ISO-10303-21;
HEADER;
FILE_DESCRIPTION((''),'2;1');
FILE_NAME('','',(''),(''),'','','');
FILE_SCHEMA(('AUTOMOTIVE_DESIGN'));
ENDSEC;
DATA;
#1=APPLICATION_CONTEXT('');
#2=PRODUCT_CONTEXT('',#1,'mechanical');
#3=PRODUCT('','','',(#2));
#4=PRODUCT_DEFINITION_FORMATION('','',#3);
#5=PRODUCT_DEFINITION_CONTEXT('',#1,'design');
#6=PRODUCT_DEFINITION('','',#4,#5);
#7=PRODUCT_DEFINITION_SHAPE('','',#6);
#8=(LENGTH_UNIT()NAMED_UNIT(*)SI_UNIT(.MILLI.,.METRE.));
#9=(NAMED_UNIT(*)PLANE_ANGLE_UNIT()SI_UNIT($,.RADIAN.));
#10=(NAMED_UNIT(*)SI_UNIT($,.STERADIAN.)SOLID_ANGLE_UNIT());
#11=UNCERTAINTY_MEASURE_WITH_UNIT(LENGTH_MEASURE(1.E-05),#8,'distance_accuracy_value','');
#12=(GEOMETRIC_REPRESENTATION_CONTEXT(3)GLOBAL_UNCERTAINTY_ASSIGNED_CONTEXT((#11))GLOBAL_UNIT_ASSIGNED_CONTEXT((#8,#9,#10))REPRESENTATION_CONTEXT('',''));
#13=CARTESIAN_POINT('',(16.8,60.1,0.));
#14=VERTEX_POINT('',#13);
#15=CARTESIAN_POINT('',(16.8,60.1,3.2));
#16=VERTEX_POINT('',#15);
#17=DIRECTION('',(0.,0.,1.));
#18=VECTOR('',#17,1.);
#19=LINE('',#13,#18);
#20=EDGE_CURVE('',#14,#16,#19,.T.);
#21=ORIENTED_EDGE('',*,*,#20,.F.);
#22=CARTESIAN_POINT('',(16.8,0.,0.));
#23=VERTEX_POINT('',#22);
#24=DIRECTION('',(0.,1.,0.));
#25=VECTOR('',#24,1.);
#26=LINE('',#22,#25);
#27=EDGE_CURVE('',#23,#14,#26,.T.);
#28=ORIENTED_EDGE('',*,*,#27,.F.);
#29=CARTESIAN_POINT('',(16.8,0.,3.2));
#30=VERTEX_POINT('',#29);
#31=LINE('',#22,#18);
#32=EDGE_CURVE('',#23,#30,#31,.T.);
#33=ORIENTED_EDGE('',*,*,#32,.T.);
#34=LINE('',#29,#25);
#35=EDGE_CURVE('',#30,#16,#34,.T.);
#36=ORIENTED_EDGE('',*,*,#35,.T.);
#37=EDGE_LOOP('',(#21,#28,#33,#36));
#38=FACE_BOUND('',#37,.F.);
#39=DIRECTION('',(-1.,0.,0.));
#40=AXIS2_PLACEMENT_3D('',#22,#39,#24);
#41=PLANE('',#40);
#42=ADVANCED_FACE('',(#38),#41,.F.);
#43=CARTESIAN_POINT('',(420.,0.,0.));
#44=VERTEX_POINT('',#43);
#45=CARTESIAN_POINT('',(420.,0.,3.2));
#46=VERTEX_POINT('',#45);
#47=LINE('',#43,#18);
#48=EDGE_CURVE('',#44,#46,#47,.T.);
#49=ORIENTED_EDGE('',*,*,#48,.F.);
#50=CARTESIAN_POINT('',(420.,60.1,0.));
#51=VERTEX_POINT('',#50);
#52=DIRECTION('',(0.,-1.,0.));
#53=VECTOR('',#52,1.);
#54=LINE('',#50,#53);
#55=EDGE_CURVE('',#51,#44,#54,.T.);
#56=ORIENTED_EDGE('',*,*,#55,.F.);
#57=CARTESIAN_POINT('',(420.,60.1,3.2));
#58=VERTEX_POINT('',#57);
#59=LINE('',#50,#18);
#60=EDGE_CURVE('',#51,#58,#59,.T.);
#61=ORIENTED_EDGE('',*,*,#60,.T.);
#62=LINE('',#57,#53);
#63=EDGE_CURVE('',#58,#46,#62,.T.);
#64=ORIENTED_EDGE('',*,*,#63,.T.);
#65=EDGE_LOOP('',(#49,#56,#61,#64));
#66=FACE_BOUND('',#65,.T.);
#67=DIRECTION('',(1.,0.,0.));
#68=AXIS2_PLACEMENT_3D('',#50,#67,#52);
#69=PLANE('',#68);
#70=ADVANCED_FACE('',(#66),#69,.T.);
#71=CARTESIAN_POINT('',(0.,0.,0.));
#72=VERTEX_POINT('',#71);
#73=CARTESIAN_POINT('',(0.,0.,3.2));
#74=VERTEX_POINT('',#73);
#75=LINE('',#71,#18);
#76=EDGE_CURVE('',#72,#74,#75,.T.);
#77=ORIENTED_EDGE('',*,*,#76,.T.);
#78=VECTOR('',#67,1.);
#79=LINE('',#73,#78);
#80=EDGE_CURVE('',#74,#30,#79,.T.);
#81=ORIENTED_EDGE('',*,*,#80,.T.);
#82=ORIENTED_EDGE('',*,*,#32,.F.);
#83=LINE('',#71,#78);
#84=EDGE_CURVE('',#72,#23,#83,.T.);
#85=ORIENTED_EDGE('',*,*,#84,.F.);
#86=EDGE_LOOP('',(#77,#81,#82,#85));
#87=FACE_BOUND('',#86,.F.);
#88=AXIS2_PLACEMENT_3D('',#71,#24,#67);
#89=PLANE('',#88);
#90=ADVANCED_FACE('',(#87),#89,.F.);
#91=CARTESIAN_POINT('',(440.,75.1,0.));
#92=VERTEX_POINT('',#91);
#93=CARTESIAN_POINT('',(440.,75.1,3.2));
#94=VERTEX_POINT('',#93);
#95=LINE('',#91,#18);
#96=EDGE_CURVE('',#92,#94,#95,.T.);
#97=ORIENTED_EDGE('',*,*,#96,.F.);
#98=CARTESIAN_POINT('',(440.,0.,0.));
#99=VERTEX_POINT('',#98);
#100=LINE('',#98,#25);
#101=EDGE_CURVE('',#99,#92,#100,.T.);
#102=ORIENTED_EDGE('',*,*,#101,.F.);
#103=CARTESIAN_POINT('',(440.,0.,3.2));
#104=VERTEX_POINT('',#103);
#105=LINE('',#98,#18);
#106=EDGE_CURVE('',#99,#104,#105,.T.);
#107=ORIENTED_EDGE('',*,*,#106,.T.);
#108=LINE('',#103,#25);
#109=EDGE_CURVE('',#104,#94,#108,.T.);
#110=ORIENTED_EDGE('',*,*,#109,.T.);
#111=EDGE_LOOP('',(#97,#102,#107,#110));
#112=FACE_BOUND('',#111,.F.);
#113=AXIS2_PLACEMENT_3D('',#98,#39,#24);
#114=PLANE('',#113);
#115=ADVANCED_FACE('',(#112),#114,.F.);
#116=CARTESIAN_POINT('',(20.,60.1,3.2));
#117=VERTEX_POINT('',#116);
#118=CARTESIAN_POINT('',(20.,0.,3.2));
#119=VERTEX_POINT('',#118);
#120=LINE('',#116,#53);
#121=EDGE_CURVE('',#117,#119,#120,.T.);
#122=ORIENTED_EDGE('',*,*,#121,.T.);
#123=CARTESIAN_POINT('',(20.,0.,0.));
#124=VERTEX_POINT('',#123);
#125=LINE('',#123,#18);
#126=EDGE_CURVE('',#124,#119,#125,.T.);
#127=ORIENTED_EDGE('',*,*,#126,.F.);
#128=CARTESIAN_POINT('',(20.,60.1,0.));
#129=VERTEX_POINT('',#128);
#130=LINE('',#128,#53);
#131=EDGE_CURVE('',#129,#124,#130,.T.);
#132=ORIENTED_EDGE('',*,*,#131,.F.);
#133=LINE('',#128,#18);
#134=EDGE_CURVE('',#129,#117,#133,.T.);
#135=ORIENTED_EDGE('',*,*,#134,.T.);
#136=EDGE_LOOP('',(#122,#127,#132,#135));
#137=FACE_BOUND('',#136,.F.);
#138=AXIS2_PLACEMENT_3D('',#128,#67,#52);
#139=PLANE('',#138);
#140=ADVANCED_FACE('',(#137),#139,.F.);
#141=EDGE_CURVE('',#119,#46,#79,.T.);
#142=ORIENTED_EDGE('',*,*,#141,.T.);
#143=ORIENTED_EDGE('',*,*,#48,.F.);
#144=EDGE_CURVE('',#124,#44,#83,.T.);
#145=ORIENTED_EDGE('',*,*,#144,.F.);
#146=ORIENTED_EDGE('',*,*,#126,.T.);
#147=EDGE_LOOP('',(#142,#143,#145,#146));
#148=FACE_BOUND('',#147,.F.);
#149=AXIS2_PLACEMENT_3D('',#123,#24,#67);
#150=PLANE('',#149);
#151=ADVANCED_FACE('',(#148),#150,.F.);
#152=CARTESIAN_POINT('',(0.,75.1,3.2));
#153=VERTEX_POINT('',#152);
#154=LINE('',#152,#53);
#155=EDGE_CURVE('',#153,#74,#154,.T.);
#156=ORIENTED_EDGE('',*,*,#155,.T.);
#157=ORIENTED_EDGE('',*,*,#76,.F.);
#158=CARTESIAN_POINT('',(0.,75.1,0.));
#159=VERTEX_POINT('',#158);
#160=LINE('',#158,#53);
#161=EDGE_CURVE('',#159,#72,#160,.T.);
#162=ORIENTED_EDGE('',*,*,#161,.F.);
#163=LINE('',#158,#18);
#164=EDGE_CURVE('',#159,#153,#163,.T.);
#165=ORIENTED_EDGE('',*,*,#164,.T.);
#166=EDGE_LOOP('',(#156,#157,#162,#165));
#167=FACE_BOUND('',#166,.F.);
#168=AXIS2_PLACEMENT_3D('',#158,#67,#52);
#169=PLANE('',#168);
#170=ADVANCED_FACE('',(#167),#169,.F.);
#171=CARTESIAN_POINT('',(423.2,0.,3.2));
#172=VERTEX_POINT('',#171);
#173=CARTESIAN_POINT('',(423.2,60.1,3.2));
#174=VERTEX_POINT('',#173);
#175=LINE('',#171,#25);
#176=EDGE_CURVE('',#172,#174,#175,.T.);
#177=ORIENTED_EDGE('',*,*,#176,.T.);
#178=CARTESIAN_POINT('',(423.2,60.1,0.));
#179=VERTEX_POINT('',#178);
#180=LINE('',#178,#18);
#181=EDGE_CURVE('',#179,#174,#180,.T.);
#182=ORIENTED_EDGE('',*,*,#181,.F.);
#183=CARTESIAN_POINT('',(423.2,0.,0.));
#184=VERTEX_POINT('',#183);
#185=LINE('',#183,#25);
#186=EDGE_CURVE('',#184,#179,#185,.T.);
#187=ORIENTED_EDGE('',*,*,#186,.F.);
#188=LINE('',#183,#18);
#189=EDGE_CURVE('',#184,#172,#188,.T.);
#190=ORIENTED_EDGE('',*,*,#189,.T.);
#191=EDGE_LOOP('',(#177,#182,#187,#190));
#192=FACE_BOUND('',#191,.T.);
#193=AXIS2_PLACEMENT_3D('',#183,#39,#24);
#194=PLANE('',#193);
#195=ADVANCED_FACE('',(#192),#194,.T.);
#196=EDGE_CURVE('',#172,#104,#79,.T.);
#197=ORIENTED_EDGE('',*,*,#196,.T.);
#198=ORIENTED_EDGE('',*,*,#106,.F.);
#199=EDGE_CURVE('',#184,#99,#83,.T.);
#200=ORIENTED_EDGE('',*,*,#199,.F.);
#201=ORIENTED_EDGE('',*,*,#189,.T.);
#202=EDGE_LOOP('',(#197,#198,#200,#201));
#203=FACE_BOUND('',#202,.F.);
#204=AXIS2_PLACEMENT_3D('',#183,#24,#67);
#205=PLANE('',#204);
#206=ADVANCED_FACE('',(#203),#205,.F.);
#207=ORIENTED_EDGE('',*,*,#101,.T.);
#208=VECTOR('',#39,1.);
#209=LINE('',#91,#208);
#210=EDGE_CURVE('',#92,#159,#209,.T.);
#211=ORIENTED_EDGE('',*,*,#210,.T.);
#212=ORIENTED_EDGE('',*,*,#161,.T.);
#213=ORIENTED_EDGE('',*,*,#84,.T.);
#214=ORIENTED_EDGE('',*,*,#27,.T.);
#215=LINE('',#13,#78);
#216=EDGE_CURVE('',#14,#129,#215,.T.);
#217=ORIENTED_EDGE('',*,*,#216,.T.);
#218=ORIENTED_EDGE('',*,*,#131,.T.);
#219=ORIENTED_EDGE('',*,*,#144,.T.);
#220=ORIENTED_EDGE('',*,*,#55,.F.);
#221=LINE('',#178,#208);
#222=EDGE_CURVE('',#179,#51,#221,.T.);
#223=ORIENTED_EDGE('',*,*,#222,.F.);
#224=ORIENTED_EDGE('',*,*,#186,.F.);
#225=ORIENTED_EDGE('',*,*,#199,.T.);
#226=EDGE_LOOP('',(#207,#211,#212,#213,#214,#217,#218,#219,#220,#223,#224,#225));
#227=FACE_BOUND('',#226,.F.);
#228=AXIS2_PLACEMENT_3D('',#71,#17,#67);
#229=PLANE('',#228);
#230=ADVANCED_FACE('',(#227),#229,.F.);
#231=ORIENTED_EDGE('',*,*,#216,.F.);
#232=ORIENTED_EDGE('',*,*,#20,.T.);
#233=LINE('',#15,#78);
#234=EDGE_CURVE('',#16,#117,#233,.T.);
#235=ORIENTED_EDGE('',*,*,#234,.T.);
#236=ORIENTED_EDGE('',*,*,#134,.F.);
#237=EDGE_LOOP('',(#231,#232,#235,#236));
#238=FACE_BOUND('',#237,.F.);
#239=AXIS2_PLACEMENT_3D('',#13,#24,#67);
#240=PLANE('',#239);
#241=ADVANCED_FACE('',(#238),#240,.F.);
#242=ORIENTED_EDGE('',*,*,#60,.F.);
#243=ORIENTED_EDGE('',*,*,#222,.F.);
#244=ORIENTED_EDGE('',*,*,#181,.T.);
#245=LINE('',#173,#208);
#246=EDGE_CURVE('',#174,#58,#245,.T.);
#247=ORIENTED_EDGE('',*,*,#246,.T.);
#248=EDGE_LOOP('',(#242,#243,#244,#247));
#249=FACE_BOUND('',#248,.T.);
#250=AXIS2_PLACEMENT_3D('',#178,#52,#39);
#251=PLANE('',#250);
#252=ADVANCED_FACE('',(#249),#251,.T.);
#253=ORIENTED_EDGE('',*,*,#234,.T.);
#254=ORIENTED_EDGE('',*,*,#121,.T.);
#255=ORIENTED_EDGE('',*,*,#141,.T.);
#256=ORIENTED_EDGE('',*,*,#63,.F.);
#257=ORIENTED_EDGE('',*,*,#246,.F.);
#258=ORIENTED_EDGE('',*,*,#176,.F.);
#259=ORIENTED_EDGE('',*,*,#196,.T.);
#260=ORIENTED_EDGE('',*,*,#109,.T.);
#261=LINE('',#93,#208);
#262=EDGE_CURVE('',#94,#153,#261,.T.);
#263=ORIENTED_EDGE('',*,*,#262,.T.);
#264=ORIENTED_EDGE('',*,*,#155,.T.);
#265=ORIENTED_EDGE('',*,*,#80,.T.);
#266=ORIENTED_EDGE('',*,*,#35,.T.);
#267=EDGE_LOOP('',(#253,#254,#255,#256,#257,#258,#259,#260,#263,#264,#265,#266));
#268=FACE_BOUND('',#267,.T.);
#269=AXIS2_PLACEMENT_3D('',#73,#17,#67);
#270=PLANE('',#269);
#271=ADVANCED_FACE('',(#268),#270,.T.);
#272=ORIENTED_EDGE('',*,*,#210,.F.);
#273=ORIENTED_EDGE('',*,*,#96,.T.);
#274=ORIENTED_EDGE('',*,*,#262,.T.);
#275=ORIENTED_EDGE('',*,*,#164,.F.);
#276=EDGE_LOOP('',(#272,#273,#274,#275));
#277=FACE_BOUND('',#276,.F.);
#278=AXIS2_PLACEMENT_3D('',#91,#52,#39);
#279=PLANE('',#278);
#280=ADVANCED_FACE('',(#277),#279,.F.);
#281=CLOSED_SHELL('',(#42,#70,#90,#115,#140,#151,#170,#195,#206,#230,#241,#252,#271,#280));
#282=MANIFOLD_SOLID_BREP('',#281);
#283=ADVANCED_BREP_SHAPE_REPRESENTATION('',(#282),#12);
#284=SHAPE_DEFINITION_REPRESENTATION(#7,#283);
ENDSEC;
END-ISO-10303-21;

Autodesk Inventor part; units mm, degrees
ref_plane "YZ Plane" through (0, 0, 0) normal (1, 0, 0) x (0, 1, 0)
ref_plane "XZ Plane" through (0, 0, 0) normal (0, 1, 0) x (-1, 0, 0)
ref_plane "XY Plane" through (0, 0, 0) normal (0, 0, 1) x (1, 0, 0)
sketch "Sketch1" plane through (0, 0, 0) normal (0, 0, 1) x (1, 0, 0)
  line L0 (0, 0) -> (440, 0)
  line L1 (440, 0) -> (440, 75.1)
  line L2 (440, 75.1) -> (0, 75.1)
  line L3 (0, 75.1) -> (0, 0)
  line L4 (16.8, 60.1) -> (20, 60.1)
  line L5 (20, 60.1) -> (20, 0)
  line L6 (20, 0) -> (16.8, 0)
  line L7 (16.8, 0) -> (16.8, 60.1)
  line L8 (220, 75.1) -> (220, 0) construction
  line L9 (423.2, 60.1) -> (420, 60.1)
  line L10 (420, 60.1) -> (420, 0)
  line L11 (420, 0) -> (423.2, 0)
  line L12 (423.2, 0) -> (423.2, 60.1)
  point P0 (420, 0)
  dimension "d0" = 440
  dimension "d1" = 75.1
  dimension "d2" = 200
  dimension "d3" = 3.2
  dimension "d4" = 15
extrude "Extrusion1" add sketch "Sketch1" along normal blind 3.2 contours L3 L2 L1 L0 L12 L9 L10 L5 L4 L7
properties part number "PARED_ESTRUCTURAL" material "MDF Medium Density Fiberboard"
